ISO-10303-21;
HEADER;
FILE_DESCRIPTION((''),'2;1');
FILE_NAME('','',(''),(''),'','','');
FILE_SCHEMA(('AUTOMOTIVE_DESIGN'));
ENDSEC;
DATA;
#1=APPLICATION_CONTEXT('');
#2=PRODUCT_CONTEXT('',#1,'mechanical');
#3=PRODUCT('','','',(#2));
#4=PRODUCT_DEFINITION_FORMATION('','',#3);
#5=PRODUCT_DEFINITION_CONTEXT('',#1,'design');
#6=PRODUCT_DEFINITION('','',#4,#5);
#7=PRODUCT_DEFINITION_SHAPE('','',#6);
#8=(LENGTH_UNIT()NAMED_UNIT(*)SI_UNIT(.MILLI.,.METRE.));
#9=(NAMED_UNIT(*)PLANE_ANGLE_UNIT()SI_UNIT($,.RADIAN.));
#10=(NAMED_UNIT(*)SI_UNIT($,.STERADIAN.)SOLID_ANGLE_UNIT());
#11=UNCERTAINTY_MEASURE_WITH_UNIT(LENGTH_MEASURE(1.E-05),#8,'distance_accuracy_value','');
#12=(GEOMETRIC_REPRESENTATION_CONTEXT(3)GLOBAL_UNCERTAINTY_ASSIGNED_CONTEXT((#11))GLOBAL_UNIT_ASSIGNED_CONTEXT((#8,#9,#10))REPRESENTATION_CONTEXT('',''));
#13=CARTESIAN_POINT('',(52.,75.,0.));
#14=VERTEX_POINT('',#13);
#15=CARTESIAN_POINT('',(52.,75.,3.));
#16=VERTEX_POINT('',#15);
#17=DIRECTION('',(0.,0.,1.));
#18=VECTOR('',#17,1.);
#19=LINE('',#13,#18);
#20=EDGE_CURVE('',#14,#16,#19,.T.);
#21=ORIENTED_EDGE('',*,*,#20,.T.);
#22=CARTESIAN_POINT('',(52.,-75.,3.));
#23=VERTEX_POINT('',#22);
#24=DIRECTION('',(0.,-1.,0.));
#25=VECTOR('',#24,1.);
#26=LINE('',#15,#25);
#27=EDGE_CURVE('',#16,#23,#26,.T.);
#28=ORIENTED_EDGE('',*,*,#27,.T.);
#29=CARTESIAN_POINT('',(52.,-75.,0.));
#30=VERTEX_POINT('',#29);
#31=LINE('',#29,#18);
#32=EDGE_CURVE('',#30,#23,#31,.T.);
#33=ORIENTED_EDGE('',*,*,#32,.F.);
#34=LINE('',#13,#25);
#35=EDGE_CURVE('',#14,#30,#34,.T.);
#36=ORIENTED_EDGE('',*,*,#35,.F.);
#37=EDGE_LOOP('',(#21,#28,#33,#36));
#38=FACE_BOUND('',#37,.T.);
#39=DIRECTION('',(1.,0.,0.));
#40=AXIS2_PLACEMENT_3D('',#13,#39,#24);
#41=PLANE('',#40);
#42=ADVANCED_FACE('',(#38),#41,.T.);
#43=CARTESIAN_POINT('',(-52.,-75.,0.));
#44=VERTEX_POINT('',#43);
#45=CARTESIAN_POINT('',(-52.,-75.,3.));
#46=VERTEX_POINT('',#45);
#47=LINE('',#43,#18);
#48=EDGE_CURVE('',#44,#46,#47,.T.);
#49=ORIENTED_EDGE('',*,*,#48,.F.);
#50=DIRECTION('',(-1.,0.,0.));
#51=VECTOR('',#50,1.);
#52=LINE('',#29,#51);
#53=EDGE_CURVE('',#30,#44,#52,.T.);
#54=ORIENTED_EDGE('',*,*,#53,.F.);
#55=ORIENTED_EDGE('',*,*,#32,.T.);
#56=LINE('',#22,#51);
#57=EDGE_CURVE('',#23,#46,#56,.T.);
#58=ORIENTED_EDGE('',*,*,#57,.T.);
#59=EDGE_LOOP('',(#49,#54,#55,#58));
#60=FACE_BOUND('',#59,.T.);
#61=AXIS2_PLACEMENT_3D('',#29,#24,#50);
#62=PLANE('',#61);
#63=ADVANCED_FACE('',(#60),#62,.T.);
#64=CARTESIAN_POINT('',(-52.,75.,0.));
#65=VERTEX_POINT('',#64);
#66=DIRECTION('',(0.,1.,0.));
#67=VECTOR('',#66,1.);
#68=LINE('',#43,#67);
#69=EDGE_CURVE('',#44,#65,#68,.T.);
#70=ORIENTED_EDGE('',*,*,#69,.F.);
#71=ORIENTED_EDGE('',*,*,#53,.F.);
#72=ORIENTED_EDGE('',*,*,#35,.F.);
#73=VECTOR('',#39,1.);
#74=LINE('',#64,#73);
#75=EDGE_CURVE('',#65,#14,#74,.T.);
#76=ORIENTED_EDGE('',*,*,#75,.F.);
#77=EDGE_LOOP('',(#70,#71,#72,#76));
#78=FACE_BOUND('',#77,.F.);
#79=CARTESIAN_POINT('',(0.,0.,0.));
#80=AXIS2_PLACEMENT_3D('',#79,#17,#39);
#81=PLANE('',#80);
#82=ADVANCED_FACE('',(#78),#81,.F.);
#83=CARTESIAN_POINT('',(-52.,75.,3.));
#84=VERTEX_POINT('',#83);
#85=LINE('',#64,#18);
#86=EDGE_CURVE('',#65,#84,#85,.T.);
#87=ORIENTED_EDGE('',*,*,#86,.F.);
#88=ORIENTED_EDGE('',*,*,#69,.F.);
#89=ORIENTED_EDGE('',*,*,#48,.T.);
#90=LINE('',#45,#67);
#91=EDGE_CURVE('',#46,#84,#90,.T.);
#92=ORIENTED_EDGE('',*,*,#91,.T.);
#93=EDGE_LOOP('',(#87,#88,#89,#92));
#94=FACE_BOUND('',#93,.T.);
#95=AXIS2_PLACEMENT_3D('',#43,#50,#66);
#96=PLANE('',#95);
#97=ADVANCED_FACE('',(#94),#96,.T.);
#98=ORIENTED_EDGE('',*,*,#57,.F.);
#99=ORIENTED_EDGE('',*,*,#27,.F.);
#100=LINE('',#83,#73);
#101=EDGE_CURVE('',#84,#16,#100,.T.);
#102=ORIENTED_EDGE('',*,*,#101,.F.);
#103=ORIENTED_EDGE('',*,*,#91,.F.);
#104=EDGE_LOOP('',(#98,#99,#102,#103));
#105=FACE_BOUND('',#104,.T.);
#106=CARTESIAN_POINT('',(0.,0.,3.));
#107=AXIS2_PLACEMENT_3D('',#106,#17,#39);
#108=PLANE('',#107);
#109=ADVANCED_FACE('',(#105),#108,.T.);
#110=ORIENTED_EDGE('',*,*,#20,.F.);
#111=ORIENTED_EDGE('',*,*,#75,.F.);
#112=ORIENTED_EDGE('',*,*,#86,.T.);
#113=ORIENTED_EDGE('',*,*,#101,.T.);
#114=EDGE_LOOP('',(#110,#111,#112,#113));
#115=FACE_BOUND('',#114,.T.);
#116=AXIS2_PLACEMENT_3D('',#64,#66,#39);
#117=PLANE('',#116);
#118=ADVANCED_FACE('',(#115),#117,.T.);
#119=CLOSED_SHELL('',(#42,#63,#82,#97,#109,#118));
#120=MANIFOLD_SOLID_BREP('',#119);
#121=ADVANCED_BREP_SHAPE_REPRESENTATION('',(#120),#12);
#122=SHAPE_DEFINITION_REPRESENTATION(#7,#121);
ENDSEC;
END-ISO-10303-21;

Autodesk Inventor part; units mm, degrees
ref_plane "YZ Plane" through (0, 0, 0) normal (1, 0, 0) x (0, 1, 0)
ref_plane "XZ Plane" through (0, 0, 0) normal (0, 1, 0) x (-1, 0, 0)
ref_plane "XY Plane" through (0, 0, 0) normal (0, 0, 1) x (1, 0, 0)
sketch "Sketch1" plane through (0, 0, 0) normal (0, 0, 1) x (1, 0, 0)
  line L0 (-52, 75) -> (52, 75)
  line L1 (52, 75) -> (52, -75)
  line L2 (52, -75) -> (-52, -75)
  line L3 (-52, -75) -> (-52, 75)
  line L4 (-52, 75) -> (52, -75) construction
  line L5 (52, 75) -> (-52, -75) construction
  point P0 (0, 0)
  dimension "d0" = 104
  dimension "d1" = 150
extrude "Extrusion1" add sketch "Sketch1" along normal blind 3
equation "\"折彎半徑\" = 厚度"
equation "\"折彎離隙寬度\" = 厚度"
equation "\"折彎離隙深度\" = 0.5 * 厚度"
equation "\"轉角離隙大小\" = 4 * 厚度"
equation "\"最小剩餘\" = 2 * 厚度"
equation "\"轉移半徑\" = 折彎半徑"
equation "\"Jacobi半徑大小\" = 折彎半徑"
equation "\"間隙大小\" = 厚度"
equation "\"厚度\" = 0.5"
properties part number "plate1"
